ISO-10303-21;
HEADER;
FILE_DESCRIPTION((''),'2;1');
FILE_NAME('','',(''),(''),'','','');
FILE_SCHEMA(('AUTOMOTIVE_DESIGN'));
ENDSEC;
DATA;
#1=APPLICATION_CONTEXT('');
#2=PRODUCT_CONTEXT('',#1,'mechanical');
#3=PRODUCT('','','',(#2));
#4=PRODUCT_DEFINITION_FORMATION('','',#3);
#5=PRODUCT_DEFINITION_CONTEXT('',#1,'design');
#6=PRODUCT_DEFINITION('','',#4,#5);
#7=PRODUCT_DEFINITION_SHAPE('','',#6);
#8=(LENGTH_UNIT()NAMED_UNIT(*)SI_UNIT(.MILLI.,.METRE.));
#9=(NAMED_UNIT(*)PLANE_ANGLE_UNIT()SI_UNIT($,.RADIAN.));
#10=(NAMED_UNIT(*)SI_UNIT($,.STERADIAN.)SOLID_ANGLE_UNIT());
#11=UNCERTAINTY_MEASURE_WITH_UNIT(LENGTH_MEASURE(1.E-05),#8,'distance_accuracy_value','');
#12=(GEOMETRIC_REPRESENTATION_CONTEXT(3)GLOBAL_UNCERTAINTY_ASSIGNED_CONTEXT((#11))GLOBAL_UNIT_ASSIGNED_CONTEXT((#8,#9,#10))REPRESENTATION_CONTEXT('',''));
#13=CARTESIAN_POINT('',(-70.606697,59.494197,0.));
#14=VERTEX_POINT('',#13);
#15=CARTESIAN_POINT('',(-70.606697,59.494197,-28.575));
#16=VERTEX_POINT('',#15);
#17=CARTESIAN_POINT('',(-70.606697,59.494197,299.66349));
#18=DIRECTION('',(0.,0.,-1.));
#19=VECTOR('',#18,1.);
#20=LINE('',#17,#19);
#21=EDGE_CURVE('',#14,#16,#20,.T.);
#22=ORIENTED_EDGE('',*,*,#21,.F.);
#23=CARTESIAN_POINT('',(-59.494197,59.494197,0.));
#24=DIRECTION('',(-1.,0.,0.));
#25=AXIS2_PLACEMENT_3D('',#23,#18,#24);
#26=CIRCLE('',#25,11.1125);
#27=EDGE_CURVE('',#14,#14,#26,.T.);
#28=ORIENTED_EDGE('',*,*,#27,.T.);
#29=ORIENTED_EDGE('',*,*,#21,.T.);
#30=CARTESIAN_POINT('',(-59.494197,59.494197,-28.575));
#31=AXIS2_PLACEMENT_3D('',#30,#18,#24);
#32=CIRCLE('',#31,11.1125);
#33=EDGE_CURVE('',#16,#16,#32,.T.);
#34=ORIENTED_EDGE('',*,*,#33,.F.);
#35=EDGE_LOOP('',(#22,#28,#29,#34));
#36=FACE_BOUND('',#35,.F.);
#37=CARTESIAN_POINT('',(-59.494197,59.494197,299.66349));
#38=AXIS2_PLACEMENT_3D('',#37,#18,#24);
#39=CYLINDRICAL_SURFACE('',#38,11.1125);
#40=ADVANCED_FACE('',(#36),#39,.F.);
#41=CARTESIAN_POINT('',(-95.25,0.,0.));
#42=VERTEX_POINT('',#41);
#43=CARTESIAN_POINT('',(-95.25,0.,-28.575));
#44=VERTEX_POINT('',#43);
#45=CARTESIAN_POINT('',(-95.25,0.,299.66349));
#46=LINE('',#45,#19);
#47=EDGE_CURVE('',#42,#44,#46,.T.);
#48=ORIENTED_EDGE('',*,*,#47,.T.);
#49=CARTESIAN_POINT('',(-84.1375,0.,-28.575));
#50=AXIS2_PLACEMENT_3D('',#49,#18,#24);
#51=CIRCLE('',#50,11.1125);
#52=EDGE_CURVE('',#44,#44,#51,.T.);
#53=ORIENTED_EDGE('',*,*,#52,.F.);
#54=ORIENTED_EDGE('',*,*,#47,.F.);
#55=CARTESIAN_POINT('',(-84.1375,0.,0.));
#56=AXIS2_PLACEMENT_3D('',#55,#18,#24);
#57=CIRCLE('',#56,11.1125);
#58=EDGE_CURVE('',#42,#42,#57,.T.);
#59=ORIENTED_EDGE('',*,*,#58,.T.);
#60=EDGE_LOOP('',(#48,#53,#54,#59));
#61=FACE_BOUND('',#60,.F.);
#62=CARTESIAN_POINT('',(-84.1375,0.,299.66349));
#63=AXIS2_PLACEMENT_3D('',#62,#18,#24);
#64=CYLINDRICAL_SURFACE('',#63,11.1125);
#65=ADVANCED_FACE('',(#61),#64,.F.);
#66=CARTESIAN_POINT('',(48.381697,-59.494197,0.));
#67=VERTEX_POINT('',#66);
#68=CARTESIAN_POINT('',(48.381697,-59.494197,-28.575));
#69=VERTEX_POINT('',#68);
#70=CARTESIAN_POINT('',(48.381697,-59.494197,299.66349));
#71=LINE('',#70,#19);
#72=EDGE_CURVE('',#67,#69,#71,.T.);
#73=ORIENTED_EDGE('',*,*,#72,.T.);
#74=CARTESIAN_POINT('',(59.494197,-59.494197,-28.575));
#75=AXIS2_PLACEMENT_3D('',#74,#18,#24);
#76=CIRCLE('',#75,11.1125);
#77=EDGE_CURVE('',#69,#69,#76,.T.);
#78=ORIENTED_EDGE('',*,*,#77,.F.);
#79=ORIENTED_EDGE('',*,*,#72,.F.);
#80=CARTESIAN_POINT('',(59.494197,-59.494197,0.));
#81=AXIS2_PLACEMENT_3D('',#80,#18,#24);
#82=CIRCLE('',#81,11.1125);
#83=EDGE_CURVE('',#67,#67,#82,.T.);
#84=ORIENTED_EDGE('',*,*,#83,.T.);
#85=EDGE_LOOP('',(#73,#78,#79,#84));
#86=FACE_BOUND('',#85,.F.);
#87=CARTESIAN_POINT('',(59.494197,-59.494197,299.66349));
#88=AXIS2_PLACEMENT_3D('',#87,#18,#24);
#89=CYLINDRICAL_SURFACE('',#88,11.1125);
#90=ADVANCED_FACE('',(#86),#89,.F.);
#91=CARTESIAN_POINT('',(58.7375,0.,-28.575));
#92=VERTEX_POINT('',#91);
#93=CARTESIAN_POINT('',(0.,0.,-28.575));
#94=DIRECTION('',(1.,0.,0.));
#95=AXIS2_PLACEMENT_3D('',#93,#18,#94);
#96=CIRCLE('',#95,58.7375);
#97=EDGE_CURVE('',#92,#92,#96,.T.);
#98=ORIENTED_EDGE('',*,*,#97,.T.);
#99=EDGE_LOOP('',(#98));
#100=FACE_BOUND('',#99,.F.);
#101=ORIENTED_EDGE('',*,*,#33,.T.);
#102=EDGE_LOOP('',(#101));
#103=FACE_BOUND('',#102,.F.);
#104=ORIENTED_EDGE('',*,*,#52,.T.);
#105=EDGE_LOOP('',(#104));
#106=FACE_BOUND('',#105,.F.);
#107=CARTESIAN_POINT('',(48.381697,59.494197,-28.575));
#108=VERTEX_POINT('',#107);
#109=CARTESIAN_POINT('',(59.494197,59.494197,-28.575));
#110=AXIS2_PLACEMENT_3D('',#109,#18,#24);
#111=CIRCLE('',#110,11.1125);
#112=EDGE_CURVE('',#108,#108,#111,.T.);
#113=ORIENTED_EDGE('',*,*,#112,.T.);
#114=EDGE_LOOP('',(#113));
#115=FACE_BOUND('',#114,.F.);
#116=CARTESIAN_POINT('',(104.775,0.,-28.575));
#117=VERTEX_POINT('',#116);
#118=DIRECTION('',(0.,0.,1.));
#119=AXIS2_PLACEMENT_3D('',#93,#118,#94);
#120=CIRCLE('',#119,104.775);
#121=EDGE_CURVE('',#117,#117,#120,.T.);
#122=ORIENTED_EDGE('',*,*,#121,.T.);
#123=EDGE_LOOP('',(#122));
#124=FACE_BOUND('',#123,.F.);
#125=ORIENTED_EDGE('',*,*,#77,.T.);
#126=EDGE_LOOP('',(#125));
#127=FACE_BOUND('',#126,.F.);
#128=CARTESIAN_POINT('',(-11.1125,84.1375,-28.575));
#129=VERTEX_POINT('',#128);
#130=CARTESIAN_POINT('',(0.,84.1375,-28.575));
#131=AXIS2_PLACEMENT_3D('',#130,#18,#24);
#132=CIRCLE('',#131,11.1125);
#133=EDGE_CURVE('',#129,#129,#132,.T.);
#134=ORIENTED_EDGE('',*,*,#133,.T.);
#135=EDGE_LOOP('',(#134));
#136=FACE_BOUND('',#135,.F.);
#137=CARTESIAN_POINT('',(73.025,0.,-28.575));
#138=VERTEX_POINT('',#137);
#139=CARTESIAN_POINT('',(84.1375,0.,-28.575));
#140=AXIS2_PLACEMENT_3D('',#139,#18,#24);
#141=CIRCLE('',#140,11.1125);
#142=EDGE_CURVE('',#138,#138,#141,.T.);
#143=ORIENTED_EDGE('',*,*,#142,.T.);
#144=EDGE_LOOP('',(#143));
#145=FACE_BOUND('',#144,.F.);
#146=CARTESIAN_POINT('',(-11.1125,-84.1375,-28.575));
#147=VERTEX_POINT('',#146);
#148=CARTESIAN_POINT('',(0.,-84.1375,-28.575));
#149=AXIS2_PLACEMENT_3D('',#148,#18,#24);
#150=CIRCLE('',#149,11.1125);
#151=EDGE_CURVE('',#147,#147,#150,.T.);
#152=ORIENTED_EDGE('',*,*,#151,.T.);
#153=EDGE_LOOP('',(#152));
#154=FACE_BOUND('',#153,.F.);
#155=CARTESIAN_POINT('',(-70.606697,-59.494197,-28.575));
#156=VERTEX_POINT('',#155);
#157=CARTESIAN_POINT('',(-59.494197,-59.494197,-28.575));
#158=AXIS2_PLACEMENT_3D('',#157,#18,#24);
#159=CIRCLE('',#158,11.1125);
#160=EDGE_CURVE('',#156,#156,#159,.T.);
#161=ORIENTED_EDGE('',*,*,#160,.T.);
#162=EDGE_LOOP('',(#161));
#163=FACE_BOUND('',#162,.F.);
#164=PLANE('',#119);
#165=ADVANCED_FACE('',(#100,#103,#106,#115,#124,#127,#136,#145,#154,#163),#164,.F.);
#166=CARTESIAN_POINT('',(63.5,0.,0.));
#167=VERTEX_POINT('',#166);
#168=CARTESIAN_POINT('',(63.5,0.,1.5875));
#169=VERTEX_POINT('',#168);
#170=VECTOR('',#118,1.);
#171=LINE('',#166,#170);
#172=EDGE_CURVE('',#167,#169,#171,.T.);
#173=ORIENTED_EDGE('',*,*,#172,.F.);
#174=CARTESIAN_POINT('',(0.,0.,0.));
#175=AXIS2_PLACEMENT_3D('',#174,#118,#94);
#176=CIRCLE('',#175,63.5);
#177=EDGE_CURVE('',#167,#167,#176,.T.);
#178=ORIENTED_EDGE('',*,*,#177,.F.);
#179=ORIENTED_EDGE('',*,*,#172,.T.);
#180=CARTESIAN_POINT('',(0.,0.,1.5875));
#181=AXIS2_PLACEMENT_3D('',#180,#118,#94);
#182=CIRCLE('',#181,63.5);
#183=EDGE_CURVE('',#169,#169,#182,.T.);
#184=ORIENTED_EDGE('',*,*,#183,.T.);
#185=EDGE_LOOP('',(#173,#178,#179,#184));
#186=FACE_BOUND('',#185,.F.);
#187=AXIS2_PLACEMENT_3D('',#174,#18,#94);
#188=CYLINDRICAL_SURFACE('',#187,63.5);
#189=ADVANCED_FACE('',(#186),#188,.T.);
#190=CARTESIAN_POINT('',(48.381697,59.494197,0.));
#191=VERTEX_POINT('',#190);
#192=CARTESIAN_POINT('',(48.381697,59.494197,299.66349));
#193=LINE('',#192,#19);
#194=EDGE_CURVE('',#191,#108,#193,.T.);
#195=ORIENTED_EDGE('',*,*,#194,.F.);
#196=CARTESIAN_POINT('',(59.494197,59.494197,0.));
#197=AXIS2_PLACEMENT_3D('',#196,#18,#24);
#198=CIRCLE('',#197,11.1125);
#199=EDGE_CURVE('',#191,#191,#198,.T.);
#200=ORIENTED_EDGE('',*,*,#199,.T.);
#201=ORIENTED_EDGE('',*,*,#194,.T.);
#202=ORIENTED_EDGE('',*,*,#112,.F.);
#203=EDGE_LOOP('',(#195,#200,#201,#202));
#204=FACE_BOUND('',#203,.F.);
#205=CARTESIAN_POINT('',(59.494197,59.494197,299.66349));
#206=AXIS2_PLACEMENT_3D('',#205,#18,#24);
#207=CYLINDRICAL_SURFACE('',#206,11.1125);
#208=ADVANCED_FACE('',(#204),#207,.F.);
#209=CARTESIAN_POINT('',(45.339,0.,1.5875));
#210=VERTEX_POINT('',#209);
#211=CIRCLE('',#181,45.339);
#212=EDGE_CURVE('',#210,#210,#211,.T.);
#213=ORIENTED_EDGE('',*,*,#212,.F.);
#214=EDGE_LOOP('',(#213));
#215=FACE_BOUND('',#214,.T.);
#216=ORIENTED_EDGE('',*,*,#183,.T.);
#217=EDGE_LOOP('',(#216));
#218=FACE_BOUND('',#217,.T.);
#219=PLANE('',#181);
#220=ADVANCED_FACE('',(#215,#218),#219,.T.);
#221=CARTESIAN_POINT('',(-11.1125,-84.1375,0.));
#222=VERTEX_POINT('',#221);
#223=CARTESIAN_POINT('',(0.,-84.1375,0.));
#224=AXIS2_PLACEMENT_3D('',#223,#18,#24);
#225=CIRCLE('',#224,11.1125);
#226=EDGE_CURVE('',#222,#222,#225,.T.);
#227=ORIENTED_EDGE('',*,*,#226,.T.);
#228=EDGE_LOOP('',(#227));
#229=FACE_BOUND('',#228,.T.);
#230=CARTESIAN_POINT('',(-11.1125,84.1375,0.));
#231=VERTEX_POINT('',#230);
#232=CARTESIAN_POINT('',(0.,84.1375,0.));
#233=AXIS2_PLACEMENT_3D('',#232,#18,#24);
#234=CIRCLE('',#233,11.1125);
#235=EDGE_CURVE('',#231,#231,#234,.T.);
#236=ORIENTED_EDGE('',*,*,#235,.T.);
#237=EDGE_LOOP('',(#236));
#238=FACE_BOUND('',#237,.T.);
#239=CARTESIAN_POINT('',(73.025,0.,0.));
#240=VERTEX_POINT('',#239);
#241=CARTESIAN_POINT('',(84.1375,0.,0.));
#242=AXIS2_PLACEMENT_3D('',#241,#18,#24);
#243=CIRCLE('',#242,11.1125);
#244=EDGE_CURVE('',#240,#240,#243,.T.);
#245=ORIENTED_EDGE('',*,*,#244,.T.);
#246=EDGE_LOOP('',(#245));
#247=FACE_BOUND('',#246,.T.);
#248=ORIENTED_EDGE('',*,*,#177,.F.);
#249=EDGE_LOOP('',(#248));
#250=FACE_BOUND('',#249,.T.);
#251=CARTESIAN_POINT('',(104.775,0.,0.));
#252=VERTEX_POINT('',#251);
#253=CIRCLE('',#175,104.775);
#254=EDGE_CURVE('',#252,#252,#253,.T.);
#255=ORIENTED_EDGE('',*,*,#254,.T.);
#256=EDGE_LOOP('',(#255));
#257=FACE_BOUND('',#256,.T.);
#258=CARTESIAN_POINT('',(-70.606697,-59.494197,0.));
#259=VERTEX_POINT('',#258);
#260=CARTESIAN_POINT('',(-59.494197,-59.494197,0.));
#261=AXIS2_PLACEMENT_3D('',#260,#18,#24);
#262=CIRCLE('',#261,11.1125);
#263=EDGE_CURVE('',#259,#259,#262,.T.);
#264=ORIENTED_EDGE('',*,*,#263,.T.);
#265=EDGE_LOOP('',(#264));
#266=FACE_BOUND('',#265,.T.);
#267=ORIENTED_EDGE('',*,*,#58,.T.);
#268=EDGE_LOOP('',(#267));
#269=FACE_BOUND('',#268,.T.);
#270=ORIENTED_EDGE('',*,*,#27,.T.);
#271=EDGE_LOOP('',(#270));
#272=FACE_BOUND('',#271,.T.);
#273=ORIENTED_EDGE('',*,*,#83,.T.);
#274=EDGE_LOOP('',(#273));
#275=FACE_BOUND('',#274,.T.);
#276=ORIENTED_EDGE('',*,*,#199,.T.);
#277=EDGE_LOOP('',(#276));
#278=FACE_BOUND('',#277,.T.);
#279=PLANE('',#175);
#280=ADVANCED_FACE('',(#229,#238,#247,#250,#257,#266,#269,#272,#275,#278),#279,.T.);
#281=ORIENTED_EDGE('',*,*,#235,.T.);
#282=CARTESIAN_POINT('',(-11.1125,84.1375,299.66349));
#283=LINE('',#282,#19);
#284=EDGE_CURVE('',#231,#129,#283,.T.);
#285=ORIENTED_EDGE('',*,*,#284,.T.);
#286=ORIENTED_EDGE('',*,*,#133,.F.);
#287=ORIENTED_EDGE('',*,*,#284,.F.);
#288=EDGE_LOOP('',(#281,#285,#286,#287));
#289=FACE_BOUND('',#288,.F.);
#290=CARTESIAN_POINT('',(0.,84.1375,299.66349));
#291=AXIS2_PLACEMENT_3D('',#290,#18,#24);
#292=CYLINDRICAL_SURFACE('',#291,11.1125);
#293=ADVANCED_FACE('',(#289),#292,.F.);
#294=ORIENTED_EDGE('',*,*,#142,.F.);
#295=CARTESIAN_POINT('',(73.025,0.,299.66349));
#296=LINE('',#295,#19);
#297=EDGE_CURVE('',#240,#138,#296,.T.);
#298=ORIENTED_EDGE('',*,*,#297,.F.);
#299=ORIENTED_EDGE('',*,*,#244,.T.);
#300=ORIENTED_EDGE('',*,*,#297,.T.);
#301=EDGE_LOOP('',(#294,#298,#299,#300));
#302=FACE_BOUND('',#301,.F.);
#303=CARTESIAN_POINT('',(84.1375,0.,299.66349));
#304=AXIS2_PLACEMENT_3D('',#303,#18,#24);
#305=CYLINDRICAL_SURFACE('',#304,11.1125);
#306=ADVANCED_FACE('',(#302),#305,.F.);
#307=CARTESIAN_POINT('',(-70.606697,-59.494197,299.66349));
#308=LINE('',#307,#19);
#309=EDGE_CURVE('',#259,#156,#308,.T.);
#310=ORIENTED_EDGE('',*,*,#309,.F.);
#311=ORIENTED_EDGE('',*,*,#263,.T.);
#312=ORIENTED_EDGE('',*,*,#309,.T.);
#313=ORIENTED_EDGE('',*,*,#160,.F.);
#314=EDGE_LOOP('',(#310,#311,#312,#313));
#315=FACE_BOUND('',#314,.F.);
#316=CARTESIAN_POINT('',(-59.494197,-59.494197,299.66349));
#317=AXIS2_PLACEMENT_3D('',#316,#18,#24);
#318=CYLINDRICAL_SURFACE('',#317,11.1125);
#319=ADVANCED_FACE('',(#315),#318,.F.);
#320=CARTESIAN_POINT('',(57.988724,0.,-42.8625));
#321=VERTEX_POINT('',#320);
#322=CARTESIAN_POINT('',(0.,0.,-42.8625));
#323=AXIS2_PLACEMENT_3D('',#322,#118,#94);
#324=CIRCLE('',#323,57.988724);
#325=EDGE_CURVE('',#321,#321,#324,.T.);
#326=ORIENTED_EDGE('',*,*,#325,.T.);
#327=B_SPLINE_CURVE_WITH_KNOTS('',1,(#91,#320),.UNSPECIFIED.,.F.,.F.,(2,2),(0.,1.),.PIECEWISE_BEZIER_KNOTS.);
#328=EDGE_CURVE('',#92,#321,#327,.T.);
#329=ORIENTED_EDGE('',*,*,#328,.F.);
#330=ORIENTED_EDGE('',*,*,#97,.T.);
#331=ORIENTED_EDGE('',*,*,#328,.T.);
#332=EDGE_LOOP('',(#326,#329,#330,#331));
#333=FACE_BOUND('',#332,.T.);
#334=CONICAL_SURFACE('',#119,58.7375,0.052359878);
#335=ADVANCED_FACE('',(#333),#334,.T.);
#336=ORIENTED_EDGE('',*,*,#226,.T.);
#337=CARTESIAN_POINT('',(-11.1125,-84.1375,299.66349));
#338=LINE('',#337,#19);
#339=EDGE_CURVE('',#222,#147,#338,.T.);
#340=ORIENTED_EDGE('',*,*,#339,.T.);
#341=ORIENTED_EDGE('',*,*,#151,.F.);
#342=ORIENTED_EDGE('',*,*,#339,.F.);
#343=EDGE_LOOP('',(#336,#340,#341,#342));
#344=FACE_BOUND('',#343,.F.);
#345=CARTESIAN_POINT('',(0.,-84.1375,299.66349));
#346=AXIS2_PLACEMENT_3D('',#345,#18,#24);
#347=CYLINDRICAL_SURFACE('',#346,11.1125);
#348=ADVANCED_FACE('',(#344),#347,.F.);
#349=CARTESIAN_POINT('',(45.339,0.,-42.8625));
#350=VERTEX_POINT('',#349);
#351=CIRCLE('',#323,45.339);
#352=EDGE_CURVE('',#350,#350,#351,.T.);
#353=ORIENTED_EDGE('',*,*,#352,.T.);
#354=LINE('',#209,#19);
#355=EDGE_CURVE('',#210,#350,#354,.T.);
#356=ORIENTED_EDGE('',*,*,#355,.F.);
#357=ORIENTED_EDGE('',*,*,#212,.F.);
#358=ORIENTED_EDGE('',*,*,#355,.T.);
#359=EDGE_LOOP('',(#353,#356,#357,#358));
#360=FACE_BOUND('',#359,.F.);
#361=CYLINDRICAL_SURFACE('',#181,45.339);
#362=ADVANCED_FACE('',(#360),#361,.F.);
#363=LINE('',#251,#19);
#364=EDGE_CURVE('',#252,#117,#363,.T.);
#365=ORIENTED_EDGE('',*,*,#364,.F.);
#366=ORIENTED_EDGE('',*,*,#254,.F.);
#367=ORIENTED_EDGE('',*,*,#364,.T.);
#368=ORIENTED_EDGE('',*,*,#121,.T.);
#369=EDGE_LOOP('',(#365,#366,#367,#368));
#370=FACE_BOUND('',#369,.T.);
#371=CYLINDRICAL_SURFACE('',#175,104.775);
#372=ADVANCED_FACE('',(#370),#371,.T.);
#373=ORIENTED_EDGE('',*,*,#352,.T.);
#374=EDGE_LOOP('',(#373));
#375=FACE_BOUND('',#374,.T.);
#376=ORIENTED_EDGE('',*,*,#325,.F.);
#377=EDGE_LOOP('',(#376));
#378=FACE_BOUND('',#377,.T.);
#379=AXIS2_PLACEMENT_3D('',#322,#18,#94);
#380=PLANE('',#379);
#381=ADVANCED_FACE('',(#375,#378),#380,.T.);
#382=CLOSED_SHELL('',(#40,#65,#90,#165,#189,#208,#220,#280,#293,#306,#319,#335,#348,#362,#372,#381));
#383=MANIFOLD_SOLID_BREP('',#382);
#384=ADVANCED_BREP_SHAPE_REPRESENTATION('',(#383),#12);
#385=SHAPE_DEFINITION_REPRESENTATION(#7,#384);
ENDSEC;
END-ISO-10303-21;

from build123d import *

# Parameters (mm, degrees)
F0_R     = 104.775
F1_DEPTH = 28.575
F2_R     = 63.5
F3_DEPTH = 1.5875
F4_R     = 58.7375
F5_DEPTH = 14.2875
F5_TAPER = 3
F6_R     = 45.339
F7_DEPTH = 44.4510001
F9_D     = 22.225


with BuildPart() as f1:
    # F0 (on Top) → F1 (new body)
    with BuildSketch(Plane.XY):
        Circle(F0_R)
    extrude(amount=-F1_DEPTH)

    # F2 (on face) → F3 (join)
    with BuildSketch(Plane.XY):
        Circle(F2_R)
    extrude(amount=F3_DEPTH)

    # F4 (on face) → F5 (join)
    with BuildSketch(Plane(origin=(0, 0, -28.575), x_dir=(1, 0, 0), z_dir=(0, 0, -1))):
        Circle(F4_R)
    extrude(amount=F5_DEPTH, taper=F5_TAPER)

    # F6 (on face) → F7 (cut, through all)
    with BuildSketch(Plane.XY.offset(1.5875)):
        Circle(F6_R)
    extrude(amount=-F7_DEPTH, mode=Mode.SUBTRACT)

    # F9 (through all)
    with Locations(Plane.XY):
        with Locations((84.1375, 0), (59.4941968021, 59.4941968021), (0, 84.1375), (-59.4941968021, 59.4941968021), (-84.1375, 0), (-59.4941968021, -59.4941968021), (0, -84.1375), (59.4941968021, -59.4941968021)):
            Hole(F9_D / 2)


solid = f1.part
